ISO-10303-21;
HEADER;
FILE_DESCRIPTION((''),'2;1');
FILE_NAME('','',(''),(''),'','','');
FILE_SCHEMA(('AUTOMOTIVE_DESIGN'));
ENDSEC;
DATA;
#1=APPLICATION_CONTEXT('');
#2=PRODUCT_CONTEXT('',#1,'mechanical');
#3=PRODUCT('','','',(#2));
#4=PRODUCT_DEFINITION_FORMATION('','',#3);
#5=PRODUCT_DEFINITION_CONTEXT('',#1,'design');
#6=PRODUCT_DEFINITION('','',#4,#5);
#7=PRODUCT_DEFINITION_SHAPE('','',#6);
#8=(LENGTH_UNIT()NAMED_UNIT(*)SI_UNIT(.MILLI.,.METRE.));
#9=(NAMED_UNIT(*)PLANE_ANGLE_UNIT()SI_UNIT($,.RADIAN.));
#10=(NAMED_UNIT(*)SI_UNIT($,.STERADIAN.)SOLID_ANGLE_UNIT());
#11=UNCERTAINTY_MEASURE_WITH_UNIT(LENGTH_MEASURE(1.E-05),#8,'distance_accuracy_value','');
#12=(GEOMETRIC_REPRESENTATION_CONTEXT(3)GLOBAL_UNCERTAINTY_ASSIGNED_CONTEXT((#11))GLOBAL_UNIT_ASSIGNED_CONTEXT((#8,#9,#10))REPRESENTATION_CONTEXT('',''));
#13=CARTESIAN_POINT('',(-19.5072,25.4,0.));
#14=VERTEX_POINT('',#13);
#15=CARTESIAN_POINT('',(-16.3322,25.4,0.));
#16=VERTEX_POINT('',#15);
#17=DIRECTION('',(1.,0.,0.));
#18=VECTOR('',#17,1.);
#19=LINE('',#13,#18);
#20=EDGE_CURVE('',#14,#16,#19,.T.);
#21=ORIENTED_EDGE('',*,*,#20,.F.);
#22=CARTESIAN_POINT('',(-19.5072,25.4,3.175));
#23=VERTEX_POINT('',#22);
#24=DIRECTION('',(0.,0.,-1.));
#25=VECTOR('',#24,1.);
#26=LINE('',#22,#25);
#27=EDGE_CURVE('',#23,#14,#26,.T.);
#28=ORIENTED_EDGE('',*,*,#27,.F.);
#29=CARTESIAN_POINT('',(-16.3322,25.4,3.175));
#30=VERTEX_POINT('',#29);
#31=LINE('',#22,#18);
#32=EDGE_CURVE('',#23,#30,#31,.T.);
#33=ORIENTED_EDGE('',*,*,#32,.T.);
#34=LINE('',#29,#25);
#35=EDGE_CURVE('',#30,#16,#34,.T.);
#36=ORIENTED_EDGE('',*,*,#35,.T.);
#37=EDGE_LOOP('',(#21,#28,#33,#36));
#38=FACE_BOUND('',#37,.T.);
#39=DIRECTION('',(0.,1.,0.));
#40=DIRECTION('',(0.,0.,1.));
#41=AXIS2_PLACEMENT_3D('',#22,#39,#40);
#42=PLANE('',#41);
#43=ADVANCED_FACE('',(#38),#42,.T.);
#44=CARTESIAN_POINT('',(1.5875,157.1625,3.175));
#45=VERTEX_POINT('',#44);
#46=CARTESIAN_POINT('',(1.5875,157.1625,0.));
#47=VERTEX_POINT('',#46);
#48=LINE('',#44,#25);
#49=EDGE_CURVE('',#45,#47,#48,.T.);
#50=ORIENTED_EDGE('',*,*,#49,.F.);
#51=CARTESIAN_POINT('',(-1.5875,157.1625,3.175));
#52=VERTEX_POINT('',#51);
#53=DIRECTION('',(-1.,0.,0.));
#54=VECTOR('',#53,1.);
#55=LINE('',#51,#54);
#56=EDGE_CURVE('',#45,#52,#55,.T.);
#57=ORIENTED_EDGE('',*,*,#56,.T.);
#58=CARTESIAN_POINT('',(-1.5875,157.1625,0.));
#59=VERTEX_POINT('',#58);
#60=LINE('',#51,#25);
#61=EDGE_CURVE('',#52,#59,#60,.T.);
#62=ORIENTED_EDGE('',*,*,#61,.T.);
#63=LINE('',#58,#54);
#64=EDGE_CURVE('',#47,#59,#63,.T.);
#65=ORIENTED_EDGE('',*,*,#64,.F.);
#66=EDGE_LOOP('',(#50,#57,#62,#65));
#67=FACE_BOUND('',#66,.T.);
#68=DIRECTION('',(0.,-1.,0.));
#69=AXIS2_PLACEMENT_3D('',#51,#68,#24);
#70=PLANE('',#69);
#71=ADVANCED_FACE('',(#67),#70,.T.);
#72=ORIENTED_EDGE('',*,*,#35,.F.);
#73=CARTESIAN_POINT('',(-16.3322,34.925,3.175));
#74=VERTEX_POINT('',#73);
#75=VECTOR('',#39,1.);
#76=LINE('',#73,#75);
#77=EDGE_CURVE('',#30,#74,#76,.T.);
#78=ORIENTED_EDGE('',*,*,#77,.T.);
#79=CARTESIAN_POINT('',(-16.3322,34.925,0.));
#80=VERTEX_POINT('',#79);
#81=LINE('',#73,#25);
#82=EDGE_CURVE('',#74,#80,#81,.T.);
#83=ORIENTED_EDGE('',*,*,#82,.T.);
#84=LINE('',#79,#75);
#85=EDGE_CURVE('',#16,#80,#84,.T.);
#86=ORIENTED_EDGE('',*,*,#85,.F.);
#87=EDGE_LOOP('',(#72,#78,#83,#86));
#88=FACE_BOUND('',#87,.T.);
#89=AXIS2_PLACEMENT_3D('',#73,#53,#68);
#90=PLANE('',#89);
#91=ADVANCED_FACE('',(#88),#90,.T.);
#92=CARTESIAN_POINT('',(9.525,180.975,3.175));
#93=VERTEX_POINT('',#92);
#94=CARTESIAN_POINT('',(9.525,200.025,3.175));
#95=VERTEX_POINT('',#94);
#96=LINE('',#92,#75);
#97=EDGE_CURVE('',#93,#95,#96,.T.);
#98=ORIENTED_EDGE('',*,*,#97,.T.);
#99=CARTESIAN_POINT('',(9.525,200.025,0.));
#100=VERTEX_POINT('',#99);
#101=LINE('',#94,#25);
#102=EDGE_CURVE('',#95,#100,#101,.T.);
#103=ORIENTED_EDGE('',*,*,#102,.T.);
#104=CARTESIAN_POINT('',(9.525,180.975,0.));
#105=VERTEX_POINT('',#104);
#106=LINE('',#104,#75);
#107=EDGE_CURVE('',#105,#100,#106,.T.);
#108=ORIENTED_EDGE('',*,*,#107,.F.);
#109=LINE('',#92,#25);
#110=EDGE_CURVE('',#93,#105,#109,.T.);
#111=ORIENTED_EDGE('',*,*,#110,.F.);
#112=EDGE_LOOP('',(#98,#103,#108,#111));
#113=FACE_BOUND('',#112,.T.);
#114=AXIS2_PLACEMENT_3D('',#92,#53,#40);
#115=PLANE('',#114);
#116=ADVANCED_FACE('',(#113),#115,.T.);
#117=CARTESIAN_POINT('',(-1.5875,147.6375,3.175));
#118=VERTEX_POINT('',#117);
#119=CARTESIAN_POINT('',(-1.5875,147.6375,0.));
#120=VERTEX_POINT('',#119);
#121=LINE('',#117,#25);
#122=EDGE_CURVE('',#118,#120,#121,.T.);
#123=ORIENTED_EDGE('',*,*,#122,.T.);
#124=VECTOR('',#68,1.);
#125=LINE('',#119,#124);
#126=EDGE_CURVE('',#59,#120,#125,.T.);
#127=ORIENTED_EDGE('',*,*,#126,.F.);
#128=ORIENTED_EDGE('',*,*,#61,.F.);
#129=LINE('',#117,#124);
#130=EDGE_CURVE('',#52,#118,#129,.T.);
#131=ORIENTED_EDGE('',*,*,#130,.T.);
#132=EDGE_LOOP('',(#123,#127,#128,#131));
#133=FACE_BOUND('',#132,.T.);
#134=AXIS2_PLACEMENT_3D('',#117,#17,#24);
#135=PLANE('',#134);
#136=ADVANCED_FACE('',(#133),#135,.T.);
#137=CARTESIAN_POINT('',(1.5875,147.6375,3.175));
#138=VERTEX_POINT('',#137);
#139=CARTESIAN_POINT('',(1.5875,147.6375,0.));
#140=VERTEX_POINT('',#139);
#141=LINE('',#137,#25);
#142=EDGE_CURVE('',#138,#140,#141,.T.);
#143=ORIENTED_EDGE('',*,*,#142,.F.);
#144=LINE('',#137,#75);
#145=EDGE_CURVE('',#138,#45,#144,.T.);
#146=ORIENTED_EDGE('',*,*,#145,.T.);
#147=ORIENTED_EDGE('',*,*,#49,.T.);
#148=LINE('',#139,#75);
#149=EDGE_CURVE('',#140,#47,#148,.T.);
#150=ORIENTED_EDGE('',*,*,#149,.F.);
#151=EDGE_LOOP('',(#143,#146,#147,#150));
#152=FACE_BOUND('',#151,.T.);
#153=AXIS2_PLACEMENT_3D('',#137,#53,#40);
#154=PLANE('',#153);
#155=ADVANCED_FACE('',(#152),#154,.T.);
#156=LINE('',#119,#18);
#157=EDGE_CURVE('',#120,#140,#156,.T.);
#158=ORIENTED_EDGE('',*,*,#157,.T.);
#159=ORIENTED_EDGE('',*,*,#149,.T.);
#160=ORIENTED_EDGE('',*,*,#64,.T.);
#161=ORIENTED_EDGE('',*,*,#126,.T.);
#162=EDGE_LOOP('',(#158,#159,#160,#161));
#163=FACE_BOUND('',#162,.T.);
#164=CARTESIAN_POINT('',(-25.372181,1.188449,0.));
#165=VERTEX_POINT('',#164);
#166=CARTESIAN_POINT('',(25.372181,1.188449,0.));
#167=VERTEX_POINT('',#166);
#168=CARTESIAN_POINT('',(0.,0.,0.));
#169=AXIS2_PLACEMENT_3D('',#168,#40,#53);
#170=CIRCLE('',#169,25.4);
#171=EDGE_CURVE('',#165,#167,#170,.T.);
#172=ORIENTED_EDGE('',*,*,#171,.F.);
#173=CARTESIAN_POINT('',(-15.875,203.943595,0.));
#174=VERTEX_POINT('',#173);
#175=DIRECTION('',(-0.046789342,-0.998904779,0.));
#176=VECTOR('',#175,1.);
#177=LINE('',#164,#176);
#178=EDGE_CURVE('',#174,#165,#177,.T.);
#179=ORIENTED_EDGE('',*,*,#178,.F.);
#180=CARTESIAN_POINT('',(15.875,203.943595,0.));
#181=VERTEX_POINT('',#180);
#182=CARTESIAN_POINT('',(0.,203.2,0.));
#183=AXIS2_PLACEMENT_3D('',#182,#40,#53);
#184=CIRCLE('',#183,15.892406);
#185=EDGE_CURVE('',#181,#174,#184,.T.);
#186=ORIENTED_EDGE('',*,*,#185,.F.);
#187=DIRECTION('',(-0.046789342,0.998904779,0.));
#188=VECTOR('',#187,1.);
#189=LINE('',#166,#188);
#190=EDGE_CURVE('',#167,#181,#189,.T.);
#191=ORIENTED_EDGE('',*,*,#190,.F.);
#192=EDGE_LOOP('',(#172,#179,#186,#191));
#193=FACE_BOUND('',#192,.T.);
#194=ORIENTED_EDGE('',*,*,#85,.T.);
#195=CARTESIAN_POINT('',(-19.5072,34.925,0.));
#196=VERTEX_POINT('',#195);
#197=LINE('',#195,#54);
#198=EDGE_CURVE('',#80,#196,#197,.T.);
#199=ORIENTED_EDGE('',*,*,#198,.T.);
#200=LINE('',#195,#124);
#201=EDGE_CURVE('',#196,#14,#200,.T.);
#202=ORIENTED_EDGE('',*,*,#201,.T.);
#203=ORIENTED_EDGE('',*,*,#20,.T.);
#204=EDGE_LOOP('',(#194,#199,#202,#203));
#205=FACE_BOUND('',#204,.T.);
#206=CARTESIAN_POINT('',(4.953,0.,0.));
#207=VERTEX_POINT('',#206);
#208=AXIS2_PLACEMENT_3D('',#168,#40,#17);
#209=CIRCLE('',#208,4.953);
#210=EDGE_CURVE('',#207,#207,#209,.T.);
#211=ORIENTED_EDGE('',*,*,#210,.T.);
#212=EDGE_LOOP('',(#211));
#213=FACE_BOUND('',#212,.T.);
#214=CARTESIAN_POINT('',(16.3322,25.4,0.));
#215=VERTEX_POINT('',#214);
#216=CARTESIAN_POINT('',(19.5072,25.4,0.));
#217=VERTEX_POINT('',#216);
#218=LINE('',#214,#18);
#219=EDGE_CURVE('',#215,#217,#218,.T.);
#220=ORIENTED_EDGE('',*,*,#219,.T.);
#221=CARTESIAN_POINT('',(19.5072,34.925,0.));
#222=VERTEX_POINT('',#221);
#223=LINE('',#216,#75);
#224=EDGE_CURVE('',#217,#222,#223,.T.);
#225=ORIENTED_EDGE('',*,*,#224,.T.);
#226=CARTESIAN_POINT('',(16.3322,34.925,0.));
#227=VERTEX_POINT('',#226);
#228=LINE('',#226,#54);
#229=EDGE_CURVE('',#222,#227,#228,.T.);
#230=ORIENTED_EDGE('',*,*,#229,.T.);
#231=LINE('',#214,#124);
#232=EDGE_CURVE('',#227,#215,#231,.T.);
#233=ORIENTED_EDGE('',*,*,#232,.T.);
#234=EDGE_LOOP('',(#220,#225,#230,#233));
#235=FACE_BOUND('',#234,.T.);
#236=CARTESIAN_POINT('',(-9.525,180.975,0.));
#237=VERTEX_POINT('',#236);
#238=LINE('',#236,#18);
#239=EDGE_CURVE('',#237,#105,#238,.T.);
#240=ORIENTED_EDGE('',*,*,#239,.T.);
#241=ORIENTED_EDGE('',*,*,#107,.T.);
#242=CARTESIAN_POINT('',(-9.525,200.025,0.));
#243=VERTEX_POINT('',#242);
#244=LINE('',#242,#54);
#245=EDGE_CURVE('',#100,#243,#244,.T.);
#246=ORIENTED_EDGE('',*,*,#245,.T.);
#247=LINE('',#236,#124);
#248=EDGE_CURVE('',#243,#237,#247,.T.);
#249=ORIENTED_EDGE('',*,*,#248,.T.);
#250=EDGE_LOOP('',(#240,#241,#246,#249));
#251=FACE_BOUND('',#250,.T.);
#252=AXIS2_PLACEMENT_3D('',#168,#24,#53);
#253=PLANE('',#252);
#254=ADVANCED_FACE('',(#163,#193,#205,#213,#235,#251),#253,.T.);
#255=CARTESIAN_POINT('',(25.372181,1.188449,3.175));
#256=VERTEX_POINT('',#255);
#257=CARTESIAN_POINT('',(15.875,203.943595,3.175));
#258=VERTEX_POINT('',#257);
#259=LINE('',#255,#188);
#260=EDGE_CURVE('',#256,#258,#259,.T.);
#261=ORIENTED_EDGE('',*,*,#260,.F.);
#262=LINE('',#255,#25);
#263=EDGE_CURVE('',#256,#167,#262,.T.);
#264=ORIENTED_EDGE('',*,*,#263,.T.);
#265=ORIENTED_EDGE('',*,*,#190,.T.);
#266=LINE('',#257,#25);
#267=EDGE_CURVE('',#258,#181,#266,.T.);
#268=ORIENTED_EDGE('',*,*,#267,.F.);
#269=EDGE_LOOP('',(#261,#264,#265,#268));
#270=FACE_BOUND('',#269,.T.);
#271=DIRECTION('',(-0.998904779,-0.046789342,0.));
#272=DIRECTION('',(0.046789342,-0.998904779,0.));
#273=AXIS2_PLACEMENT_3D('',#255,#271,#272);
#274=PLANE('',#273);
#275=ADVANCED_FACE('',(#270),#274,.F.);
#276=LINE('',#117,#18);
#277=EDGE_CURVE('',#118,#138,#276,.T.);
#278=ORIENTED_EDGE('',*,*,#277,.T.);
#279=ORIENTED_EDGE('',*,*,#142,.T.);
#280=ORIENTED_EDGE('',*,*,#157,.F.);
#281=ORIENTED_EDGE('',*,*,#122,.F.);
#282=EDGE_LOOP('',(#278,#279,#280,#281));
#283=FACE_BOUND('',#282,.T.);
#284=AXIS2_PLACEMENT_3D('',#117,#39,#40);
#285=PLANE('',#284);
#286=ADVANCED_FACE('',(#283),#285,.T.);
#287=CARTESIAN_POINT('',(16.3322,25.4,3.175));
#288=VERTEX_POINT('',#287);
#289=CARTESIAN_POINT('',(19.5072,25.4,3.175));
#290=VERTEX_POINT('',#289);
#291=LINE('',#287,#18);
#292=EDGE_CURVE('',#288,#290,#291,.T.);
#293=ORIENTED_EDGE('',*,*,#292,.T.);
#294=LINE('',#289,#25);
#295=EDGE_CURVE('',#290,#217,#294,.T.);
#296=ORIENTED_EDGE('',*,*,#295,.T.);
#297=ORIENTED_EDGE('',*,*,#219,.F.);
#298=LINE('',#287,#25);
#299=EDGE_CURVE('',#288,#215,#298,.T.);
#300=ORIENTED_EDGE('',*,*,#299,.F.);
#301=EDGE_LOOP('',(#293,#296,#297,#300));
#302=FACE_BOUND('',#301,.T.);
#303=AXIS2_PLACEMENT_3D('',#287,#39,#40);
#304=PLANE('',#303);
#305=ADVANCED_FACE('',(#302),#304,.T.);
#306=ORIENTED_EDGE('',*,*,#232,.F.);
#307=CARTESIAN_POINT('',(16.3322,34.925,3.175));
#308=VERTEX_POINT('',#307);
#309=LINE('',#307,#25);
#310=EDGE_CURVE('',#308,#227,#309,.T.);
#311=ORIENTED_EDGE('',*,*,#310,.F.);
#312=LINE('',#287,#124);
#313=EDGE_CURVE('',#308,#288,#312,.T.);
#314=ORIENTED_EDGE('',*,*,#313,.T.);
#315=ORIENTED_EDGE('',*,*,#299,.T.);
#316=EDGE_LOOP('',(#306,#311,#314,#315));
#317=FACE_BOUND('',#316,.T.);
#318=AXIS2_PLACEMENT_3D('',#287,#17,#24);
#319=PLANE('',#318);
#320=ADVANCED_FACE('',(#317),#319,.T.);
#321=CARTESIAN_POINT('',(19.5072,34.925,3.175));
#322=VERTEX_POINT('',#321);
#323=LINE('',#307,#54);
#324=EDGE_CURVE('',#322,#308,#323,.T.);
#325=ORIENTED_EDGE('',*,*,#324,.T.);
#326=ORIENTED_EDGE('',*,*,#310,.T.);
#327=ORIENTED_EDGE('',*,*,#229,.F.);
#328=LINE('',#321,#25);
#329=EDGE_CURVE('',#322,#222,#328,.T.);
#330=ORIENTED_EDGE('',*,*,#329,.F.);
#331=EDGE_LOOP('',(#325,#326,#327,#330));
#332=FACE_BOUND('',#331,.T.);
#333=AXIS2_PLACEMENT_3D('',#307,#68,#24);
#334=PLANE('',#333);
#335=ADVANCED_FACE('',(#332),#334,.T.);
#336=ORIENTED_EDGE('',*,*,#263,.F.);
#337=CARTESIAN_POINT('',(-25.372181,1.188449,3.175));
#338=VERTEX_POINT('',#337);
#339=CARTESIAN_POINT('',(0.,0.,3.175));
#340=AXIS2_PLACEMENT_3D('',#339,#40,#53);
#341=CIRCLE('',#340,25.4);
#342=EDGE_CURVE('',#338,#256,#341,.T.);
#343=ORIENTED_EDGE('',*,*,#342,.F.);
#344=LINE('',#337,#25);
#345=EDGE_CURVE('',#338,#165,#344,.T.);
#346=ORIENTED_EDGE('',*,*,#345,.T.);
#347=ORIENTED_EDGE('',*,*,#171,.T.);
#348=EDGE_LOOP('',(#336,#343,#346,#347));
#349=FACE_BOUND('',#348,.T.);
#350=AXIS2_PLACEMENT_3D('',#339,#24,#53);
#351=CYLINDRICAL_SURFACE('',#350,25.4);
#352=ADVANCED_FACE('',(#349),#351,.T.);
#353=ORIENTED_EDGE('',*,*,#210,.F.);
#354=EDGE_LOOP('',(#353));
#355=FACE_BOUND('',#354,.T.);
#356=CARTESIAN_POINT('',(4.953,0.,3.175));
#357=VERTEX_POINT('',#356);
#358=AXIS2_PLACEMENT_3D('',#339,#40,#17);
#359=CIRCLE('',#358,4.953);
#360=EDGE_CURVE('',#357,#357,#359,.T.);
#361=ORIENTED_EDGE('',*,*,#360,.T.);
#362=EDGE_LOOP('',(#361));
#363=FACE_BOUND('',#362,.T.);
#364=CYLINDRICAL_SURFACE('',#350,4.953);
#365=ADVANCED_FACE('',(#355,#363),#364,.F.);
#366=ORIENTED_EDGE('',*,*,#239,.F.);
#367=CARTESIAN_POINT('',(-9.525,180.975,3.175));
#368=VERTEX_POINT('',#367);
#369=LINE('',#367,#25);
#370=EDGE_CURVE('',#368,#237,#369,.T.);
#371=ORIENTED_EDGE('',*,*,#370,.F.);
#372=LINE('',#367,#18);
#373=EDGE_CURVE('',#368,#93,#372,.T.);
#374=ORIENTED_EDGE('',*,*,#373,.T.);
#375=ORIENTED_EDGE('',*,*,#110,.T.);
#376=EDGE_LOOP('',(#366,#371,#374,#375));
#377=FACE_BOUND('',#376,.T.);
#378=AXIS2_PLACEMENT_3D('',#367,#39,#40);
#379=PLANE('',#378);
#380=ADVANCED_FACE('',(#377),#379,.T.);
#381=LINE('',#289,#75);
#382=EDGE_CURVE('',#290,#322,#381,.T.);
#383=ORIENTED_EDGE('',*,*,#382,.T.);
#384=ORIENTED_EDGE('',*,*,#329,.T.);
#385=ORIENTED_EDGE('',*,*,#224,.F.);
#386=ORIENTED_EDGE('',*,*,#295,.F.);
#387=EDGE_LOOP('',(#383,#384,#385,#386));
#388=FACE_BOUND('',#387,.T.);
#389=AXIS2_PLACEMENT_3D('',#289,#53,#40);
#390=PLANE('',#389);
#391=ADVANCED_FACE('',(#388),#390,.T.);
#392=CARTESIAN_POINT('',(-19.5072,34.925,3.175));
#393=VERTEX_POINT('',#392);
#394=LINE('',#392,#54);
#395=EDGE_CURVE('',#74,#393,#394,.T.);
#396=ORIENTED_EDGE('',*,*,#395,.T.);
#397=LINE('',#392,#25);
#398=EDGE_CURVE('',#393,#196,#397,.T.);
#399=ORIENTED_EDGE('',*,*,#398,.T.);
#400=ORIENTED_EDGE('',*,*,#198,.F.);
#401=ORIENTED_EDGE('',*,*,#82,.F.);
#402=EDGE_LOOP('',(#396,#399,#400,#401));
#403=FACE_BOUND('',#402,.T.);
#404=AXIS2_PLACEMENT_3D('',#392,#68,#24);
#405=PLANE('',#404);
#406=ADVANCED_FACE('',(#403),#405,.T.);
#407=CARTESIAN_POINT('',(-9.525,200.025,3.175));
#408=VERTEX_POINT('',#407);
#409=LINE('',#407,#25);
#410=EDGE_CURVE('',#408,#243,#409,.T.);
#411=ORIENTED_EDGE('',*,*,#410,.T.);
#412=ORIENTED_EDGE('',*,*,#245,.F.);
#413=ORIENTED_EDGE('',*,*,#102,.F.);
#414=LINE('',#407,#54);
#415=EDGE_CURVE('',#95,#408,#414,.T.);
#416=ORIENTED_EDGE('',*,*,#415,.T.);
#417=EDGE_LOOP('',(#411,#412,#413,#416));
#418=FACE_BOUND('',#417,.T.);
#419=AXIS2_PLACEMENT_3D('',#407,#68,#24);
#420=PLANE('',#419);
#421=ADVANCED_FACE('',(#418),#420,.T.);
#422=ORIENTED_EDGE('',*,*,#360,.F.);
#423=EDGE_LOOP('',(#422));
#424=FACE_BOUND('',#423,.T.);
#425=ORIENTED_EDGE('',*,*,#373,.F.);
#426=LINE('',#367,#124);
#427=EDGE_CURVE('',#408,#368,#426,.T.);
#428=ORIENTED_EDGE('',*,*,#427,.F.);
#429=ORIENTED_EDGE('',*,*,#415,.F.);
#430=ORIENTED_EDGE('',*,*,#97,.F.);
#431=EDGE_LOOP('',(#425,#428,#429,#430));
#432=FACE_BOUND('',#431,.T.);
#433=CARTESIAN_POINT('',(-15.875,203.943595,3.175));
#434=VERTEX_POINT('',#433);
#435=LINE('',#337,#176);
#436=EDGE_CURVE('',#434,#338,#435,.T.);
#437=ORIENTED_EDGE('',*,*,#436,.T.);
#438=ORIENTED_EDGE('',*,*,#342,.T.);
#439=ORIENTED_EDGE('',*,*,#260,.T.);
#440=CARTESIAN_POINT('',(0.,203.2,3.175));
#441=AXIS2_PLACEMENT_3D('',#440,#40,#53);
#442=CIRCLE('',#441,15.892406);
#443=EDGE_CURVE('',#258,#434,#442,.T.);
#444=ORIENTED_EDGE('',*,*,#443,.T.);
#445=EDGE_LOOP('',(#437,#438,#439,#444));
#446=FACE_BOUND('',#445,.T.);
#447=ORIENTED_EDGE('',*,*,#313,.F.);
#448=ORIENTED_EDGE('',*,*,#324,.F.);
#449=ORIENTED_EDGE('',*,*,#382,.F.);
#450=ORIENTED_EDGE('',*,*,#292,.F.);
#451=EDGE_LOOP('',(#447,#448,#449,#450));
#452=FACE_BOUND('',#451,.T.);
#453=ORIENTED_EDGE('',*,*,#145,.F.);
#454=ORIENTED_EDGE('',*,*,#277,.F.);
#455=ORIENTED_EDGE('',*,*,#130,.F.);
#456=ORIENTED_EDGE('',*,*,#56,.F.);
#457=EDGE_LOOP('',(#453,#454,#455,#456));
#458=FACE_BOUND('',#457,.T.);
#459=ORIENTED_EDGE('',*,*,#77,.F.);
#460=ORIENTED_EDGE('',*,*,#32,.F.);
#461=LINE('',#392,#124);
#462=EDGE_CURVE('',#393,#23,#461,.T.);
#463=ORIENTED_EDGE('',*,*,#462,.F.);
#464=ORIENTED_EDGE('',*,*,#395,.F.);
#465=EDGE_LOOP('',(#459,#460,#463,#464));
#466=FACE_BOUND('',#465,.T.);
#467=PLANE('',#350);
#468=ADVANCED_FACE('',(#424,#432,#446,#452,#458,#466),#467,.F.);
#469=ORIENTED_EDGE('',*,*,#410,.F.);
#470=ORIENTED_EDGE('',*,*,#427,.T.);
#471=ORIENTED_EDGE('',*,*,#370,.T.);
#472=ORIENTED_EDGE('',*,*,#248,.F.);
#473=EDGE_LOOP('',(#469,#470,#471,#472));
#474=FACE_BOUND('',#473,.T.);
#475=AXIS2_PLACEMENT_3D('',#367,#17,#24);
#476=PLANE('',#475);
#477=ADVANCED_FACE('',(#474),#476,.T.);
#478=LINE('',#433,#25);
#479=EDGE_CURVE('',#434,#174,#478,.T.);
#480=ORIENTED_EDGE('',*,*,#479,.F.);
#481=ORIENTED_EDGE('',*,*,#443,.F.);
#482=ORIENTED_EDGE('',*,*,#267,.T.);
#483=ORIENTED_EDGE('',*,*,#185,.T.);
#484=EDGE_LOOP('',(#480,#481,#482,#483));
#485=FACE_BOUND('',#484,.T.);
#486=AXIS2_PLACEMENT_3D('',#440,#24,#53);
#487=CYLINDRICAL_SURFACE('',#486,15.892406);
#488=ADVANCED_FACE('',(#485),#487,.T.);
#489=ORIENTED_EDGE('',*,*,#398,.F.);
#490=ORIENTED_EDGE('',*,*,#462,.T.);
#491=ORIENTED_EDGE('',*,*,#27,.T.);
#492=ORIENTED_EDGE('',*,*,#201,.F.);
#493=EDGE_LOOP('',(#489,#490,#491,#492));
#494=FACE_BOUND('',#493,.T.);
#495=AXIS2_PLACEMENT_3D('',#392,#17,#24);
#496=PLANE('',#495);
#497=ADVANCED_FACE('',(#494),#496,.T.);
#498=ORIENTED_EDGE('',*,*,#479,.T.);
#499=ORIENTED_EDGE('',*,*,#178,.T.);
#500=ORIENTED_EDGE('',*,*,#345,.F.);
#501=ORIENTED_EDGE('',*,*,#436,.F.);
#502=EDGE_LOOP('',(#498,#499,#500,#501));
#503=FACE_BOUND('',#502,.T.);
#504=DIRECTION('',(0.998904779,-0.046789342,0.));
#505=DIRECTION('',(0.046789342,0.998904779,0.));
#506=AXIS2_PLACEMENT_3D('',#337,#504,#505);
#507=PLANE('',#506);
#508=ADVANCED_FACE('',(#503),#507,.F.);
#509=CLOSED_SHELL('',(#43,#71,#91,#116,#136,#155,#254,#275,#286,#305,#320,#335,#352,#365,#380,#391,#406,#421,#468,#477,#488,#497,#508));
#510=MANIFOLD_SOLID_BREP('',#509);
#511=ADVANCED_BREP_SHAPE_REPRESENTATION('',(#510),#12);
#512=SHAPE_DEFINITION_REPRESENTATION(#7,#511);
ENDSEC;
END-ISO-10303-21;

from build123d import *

# Parameters (mm, degrees)
SKETCH1_R           = 4.953
SKETCH1_W           = 3.175
SKETCH1_H           = 9.525
SKETCH1_W_2         = 19.05
SKETCH1_H_2         = 19.05
BOSS_EXTRUDE1_DEPTH = 3.175


with BuildPart() as part:
    # Sketch1 → Boss-Extrude1 (new body)
    with BuildSketch(Plane.XY):
        with BuildLine():
            Line((-25.372181386, 1.188449288), (-15.875, 203.943595206))
            ThreePointArc((-15.875, 203.943595206), (0, 219.092405697), (15.875, 203.943595206))
            Line((15.875, 203.943595206), (25.372181386, 1.188449288))
            ThreePointArc((25.372181386, 1.188449288), (0, -25.4), (-25.372181386, 1.188449288))
        make_face()
        Circle(SKETCH1_R, mode=Mode.SUBTRACT)
        with Locations((-17.9197, 30.1625)):
            Rectangle(SKETCH1_W, SKETCH1_H, mode=Mode.SUBTRACT)
        with Locations((0, 152.4)):
            Rectangle(SKETCH1_W, SKETCH1_H, mode=Mode.SUBTRACT)
        with Locations((17.9197, 30.1625)):
            Rectangle(SKETCH1_W, SKETCH1_H, mode=Mode.SUBTRACT)
        with Locations((0, 190.5)):
            Rectangle(SKETCH1_W_2, SKETCH1_H_2, mode=Mode.SUBTRACT)
    extrude(amount=BOSS_EXTRUDE1_DEPTH)


solid = part.part
